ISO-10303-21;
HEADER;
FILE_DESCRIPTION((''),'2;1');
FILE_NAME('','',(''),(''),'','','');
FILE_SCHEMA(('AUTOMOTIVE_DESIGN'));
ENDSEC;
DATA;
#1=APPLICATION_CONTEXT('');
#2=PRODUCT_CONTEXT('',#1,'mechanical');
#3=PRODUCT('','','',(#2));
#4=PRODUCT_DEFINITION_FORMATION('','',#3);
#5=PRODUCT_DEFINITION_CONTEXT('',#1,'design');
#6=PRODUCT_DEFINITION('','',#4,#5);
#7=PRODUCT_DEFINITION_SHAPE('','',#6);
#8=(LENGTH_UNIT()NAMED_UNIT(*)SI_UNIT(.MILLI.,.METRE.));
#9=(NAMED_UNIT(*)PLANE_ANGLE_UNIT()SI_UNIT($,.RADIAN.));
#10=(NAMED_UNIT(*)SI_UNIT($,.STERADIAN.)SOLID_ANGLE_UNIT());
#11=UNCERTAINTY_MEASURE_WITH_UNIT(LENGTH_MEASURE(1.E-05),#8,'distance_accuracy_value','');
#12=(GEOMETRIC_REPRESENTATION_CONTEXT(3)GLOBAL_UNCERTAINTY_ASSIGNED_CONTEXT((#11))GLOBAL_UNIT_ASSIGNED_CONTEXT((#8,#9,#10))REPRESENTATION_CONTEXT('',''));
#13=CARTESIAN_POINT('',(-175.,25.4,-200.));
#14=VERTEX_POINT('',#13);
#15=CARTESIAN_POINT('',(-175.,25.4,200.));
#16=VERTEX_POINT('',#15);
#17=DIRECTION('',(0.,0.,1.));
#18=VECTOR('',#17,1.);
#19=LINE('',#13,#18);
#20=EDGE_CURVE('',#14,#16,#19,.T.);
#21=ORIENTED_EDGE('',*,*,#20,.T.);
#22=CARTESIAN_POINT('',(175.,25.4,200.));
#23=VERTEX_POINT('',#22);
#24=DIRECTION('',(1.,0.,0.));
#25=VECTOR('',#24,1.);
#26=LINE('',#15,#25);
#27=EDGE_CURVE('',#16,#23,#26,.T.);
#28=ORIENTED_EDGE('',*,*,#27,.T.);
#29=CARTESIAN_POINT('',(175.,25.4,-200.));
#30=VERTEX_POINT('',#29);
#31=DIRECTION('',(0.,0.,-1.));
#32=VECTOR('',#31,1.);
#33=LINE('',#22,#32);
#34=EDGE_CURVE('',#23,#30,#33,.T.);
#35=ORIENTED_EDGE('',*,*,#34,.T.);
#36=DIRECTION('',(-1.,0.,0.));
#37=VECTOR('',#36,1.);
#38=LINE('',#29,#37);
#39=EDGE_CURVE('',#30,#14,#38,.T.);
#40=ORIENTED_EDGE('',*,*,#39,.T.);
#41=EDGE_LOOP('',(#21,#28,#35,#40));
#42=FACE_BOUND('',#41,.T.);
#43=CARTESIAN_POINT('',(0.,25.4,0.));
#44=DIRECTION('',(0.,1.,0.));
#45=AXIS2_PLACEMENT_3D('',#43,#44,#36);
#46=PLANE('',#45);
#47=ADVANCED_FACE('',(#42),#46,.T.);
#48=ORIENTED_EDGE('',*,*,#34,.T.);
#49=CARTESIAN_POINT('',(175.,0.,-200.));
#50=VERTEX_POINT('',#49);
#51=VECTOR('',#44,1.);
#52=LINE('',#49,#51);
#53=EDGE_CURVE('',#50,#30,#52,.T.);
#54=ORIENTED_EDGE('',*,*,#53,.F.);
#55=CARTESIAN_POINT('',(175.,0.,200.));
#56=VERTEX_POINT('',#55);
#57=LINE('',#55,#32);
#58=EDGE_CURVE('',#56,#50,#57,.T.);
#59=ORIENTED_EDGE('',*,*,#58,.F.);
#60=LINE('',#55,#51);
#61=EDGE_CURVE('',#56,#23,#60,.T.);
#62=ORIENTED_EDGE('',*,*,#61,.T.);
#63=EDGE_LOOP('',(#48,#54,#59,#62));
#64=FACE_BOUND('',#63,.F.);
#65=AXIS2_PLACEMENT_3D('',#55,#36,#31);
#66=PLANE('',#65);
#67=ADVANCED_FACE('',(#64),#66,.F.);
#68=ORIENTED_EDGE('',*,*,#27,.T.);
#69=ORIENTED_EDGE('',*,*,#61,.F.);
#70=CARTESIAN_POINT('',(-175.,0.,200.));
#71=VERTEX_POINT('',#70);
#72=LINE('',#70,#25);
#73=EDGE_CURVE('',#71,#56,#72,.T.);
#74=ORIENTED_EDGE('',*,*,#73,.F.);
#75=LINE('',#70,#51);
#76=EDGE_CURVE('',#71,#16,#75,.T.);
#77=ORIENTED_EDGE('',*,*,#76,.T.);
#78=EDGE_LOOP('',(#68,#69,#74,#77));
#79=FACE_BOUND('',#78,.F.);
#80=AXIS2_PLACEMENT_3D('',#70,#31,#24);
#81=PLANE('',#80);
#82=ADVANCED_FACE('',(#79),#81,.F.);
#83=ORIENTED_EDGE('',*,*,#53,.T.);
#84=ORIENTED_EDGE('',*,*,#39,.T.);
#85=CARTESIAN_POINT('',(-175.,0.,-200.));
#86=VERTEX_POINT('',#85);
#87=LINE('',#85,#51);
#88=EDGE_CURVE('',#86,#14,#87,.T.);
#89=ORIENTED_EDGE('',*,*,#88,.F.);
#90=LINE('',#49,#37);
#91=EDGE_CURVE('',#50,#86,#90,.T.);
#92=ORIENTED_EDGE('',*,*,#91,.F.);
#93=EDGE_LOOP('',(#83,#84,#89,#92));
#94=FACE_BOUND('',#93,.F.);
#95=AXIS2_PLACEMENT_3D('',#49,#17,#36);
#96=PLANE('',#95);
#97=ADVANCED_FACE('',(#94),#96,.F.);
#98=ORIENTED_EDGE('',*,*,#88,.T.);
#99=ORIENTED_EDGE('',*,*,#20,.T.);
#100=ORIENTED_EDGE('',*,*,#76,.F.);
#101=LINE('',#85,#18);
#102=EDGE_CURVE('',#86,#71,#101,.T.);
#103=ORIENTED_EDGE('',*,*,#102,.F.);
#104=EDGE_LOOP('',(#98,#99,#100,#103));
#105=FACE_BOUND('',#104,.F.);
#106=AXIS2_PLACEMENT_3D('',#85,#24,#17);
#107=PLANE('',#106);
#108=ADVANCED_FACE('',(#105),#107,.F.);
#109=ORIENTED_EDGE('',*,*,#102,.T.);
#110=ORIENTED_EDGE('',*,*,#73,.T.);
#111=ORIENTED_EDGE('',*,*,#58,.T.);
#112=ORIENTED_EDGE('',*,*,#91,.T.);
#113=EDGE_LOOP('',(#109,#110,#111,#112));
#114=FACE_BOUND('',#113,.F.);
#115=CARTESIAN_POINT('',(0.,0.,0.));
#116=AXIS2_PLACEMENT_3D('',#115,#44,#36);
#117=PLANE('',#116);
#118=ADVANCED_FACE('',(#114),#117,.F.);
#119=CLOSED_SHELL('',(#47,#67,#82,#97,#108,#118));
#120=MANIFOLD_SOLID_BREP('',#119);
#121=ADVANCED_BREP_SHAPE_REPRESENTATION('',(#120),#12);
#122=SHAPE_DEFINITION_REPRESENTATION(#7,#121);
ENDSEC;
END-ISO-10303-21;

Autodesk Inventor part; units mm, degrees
ref_plane "YZ Plane" through (0, 0, 0) normal (1, 0, 0) x (0, 1, 0)
ref_plane "XZ Plane" through (0, 0, 0) normal (0, 1, 0) x (-1, 0, 0)
ref_plane "XY Plane" through (0, 0, 0) normal (0, 0, 1) x (1, 0, 0)
sketch "Sketch1" plane through (0, 0, 0) normal (0, 1, 0) x (-1, 0, 0)
  line L0 (175, 200) -> (-175, 200)
  line L1 (-175, 200) -> (-175, -200)
  line L2 (-175, -200) -> (175, -200)
  line L3 (175, -200) -> (175, 200)
  line L4 (175, 200) -> (-175, -200) construction
  line L5 (-175, 200) -> (175, -200) construction
  point P0 (0, 0)
  dimension "d0" = 350
  dimension "d1" = 400
extrude "Extrusion1" add sketch "Sketch1" along normal blind 25.4
properties part number "insulation"
